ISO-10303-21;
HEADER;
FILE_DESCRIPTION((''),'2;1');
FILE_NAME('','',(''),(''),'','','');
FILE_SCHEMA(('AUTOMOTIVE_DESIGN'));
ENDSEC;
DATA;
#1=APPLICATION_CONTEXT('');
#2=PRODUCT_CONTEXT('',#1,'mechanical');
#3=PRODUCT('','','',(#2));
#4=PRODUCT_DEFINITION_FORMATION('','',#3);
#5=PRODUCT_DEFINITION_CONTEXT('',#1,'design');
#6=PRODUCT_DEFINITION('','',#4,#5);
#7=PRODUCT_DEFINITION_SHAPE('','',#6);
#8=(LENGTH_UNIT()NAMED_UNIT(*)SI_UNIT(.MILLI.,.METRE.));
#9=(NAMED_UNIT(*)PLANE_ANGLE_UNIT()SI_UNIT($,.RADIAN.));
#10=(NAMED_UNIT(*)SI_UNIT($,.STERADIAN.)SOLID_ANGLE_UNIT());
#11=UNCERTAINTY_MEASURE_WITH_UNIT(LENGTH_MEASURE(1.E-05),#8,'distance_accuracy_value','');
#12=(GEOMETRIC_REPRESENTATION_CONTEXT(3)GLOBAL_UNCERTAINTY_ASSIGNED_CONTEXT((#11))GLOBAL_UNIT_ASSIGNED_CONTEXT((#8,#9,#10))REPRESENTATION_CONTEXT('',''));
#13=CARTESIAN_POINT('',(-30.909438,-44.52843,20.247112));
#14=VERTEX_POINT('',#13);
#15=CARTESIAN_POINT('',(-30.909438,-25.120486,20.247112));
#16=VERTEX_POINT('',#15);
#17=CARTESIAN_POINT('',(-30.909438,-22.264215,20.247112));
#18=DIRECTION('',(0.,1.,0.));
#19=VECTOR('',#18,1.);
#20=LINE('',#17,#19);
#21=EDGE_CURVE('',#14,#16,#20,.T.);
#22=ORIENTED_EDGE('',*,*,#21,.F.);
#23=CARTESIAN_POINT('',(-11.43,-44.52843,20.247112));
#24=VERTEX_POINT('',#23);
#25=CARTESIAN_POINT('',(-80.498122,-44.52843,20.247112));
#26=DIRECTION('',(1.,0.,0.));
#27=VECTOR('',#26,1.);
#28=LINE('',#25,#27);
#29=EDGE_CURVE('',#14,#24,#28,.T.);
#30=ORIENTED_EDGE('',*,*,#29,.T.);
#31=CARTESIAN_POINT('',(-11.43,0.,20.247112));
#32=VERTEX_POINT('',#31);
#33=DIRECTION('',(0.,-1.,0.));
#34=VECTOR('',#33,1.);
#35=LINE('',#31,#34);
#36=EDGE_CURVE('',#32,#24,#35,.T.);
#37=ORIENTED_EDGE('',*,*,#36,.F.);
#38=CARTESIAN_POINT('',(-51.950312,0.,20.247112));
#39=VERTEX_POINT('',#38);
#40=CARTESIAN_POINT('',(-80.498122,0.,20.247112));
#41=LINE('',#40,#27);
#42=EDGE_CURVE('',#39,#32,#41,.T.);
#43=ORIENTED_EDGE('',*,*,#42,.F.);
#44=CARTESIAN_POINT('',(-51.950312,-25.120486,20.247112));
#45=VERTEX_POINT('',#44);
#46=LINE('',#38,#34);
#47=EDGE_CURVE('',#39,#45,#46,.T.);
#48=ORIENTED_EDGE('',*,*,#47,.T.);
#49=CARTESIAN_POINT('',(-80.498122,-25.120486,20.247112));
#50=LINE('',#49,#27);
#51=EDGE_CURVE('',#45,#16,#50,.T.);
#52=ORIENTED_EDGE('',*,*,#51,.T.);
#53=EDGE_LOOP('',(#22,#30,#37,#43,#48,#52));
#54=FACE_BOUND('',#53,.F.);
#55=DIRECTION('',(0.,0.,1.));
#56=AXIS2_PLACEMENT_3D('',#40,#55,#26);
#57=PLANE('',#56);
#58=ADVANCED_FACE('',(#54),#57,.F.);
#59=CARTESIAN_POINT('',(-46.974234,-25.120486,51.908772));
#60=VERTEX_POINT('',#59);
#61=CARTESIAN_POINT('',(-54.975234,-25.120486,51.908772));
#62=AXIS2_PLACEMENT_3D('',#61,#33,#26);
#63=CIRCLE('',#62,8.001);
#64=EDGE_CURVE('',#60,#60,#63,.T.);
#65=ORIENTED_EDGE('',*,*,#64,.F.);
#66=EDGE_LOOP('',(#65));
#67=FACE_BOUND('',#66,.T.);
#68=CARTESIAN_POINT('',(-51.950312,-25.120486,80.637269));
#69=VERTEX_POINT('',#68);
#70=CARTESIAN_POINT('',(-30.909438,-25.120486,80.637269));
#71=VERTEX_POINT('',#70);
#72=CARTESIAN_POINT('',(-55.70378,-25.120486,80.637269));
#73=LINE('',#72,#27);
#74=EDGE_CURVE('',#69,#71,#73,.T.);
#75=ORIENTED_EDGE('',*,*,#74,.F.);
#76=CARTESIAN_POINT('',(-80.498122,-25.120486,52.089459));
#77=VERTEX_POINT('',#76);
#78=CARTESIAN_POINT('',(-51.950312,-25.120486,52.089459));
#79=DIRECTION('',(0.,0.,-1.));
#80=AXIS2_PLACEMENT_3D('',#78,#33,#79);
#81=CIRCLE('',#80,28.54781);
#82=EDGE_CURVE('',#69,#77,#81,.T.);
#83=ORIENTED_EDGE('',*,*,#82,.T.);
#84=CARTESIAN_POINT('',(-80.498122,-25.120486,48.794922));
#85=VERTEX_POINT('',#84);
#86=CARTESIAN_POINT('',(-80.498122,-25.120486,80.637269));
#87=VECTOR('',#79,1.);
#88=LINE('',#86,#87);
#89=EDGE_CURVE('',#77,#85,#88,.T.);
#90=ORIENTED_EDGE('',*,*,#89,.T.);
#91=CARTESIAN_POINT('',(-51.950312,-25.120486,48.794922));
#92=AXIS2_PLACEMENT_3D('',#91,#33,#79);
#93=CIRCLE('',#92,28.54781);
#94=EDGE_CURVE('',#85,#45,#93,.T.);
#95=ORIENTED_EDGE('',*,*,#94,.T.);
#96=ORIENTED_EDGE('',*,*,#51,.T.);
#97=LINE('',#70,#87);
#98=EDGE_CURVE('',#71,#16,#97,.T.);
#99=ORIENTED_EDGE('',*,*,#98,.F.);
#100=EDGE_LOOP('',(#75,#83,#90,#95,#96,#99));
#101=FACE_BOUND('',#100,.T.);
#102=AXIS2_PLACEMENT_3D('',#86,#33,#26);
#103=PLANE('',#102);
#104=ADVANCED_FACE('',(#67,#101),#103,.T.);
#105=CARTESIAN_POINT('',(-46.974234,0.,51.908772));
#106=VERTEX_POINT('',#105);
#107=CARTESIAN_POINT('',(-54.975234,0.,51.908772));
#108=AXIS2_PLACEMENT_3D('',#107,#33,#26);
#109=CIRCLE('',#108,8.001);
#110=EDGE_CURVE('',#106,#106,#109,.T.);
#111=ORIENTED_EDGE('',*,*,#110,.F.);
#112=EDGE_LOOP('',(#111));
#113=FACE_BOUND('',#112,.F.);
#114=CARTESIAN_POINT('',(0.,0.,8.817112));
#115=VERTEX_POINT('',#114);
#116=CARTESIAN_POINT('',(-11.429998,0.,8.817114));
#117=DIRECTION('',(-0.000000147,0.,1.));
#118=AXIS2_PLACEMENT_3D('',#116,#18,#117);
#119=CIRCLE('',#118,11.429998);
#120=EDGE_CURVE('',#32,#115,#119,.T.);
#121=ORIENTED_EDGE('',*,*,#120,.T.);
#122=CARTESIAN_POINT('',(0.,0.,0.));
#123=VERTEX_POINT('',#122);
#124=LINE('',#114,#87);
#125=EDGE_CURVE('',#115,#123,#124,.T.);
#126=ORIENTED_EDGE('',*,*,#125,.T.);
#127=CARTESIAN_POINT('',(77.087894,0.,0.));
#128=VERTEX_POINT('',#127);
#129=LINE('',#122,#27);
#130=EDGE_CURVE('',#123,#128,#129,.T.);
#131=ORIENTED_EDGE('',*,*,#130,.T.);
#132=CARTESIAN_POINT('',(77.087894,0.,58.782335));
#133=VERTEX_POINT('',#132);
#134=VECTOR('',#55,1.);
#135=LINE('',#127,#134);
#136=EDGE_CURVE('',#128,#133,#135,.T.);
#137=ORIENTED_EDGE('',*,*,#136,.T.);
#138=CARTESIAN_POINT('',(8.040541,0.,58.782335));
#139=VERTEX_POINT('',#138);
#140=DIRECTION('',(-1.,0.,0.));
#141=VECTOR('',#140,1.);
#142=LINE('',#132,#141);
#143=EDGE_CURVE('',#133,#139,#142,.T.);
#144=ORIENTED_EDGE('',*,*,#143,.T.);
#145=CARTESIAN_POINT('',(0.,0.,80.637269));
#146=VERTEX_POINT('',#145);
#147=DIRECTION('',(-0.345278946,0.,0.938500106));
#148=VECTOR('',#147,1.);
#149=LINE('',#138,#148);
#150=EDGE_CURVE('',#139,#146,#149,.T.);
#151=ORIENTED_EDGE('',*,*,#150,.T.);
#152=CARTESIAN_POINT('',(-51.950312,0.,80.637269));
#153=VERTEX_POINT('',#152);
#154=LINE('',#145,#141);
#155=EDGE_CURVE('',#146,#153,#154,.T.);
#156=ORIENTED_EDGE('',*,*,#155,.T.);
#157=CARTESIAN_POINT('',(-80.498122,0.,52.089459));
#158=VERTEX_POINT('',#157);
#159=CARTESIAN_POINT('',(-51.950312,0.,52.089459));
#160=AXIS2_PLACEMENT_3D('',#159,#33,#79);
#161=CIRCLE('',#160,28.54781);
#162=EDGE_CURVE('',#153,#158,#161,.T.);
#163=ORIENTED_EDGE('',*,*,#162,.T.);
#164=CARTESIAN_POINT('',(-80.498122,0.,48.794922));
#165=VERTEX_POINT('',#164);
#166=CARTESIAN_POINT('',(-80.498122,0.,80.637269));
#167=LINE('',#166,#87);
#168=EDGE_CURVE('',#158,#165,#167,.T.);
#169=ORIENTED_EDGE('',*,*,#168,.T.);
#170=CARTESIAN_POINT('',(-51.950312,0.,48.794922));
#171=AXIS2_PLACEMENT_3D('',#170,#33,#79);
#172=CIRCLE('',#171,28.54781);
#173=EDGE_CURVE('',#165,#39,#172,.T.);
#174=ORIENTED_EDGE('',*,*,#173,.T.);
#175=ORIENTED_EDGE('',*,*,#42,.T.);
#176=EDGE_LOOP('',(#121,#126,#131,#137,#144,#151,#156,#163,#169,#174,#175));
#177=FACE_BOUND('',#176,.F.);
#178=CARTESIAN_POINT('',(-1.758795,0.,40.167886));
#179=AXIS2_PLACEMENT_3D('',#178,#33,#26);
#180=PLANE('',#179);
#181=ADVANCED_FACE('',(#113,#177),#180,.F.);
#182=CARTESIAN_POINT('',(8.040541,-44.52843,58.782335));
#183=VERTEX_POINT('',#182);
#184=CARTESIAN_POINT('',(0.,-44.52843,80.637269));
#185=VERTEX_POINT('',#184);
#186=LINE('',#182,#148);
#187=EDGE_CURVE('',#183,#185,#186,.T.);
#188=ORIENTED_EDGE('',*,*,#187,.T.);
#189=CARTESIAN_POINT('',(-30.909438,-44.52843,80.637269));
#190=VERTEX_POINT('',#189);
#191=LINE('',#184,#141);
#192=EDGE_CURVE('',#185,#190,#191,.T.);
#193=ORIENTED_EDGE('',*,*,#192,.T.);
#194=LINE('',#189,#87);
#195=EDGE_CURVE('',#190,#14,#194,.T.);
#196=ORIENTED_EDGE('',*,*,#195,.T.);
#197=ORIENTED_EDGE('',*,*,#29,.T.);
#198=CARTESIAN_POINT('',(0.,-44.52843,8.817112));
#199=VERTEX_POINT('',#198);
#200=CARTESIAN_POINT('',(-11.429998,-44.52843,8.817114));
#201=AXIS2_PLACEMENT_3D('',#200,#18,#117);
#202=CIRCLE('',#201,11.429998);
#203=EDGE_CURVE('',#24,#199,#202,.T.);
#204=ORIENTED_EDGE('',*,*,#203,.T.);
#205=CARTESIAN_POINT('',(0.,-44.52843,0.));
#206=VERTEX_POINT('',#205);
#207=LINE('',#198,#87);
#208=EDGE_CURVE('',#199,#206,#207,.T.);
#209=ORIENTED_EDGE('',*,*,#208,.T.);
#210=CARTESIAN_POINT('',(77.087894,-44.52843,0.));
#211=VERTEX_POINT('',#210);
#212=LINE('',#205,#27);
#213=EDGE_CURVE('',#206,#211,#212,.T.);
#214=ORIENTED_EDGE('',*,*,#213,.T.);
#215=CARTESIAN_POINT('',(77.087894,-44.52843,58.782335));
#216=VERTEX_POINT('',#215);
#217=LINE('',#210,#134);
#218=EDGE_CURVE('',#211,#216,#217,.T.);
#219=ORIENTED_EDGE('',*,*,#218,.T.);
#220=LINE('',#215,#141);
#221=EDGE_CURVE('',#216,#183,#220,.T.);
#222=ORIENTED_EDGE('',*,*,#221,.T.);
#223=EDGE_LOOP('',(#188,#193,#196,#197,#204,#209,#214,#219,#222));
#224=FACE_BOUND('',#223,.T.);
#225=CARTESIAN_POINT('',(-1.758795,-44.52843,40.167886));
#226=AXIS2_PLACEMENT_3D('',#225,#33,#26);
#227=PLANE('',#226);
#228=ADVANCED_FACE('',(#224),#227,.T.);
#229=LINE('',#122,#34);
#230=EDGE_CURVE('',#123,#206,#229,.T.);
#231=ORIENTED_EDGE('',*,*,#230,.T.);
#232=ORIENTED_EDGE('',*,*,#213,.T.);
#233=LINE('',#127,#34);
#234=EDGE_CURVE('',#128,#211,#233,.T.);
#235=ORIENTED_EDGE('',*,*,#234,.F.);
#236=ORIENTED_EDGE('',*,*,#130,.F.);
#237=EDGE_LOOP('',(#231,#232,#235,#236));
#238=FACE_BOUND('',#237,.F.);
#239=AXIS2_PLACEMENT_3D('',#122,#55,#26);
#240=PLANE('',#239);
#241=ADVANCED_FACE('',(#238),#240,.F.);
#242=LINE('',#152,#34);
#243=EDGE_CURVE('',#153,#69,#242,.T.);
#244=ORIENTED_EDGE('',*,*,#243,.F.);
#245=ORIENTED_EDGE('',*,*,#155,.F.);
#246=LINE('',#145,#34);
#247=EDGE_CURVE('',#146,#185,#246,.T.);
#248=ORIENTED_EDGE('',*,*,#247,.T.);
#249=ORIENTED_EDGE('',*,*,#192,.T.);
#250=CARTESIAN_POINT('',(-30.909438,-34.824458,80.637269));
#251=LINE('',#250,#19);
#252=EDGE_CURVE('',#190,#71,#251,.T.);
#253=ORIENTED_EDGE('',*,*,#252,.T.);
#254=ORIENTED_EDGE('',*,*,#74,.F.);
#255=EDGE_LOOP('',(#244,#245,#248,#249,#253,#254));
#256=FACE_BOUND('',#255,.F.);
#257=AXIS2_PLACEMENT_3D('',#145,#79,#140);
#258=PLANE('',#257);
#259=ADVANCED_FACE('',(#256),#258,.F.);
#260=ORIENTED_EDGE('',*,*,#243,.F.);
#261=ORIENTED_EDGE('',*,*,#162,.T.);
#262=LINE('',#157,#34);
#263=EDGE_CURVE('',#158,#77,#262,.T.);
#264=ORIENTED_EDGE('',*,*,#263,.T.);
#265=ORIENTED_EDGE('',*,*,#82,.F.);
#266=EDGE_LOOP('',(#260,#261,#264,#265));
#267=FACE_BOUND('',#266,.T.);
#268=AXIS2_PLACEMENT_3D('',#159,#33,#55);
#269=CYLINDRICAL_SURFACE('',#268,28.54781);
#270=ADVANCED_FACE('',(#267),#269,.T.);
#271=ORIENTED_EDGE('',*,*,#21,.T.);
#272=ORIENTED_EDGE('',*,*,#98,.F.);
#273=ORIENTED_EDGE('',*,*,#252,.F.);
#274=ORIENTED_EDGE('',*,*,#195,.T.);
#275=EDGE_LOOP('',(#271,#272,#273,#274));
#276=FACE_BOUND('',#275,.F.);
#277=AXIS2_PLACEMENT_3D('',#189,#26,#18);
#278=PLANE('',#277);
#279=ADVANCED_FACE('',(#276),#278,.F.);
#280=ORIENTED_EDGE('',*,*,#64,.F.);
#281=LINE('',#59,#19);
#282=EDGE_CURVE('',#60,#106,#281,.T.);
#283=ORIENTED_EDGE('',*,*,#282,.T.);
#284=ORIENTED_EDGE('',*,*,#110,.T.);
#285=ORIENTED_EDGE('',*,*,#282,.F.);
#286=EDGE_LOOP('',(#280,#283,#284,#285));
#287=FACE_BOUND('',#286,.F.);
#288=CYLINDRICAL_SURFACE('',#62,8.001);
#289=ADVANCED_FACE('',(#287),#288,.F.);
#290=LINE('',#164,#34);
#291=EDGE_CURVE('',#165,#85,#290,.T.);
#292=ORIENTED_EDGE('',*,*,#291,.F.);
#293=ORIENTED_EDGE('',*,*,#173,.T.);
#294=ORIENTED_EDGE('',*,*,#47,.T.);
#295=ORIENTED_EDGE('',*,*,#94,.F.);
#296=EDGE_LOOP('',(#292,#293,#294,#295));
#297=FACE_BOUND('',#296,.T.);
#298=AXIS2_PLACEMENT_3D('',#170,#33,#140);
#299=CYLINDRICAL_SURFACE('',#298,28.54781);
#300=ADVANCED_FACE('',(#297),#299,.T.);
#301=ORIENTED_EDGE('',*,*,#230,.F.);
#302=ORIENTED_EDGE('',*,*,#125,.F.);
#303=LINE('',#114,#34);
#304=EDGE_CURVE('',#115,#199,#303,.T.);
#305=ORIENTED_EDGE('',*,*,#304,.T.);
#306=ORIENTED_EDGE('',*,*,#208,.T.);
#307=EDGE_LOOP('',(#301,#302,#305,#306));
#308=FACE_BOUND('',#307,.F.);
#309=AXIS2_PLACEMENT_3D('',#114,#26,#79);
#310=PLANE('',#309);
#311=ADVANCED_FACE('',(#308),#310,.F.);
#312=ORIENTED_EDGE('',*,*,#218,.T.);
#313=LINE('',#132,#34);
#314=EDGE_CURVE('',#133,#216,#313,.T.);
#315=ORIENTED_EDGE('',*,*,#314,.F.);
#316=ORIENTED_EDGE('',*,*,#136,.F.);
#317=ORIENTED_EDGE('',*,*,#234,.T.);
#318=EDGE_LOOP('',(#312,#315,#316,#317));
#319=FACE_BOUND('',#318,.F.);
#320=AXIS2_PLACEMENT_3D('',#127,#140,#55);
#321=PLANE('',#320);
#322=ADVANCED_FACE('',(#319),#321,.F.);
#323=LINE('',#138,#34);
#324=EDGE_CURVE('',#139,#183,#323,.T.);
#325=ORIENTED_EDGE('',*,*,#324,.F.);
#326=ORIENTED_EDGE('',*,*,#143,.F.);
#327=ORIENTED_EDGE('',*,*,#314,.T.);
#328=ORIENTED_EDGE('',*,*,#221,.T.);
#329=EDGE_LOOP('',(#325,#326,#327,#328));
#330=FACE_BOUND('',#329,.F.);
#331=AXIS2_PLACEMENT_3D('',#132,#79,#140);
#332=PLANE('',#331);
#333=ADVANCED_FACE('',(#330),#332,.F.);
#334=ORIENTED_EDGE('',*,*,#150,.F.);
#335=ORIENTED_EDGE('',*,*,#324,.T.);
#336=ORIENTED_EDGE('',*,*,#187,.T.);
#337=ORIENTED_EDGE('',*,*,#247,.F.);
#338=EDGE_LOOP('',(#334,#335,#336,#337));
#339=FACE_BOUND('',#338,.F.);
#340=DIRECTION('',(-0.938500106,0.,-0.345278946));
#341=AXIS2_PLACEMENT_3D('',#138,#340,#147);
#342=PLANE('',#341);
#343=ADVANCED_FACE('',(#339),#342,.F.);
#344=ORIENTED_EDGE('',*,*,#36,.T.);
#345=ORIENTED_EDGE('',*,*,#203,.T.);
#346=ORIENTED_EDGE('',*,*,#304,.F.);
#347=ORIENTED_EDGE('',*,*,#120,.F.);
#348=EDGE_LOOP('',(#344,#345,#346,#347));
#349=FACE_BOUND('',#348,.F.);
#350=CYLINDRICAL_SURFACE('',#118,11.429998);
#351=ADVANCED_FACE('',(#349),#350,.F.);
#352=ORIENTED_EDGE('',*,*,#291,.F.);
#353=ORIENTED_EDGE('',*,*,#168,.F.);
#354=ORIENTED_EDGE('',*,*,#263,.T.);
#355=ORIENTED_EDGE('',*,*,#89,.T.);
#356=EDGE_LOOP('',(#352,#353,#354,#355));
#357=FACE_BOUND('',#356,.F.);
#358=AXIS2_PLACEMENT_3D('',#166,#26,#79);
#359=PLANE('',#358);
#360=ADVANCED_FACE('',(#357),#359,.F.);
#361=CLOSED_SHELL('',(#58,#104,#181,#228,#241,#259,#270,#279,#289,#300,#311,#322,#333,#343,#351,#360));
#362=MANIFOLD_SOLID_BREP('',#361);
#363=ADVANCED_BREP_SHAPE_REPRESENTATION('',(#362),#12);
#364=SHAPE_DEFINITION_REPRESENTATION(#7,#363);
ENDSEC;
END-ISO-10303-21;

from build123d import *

# Parameters (mm, degrees)
F1_DEPTH = 44.52843
F2_W     = 49.588684
F2_H     = 19.407944
F3_DEPTH = 66.4709
F4_R     = 28.54781
F5_R     = 8.001
F6_DEPTH = 25.4


with BuildPart() as f1:
    # F0 (on Front) → F1 (new body)
    with BuildSketch(Plane.XZ):
        with BuildLine():
            Line((0, 80.637269), (-80.498122, 80.637269))
            Line((-80.498122, 80.637269), (-80.498122, 20.247112))
            Line((-80.498122, 20.247112), (-11.43, 20.247112))
            ThreePointArc((-11.43, 20.247112), (-3.347769, 16.899343), (0, 8.817112))
            Line((0, 8.817112), (0, 0))
            Line((0, 0), (77.087894, 0))
            Line((77.087894, 0), (77.087894, 58.782335))
            Line((77.087894, 58.782335), (8.040541, 58.782335))
            Line((8.040541, 58.782335), (0, 80.637269))
        make_face()
    extrude(amount=F1_DEPTH)

    # F2 (on face) → F3 (cut)
    with BuildSketch(Plane.XY.offset(80.637269)):
        with Locations((-55.70378, -34.824458)):
            Rectangle(F2_W, F2_H)
    extrude(amount=-F3_DEPTH, mode=Mode.SUBTRACT)

    # F4
    f4_edges = [f1.edges().sort_by_distance(p)[0] for p in [
        (-80.498122, -12.560243, 80.637269),
        (-80.498122, -12.560243, 20.247112),
    ]]
    fillet(f4_edges, radius=F4_R)

    # F5 (on face) → F6 (cut)
    with BuildSketch(Plane.XZ.offset(25.120486)):
        with Locations((-54.975234, 51.908772)):
            Circle(F5_R)
    extrude(amount=-F6_DEPTH, mode=Mode.SUBTRACT)


solid = f1.part
